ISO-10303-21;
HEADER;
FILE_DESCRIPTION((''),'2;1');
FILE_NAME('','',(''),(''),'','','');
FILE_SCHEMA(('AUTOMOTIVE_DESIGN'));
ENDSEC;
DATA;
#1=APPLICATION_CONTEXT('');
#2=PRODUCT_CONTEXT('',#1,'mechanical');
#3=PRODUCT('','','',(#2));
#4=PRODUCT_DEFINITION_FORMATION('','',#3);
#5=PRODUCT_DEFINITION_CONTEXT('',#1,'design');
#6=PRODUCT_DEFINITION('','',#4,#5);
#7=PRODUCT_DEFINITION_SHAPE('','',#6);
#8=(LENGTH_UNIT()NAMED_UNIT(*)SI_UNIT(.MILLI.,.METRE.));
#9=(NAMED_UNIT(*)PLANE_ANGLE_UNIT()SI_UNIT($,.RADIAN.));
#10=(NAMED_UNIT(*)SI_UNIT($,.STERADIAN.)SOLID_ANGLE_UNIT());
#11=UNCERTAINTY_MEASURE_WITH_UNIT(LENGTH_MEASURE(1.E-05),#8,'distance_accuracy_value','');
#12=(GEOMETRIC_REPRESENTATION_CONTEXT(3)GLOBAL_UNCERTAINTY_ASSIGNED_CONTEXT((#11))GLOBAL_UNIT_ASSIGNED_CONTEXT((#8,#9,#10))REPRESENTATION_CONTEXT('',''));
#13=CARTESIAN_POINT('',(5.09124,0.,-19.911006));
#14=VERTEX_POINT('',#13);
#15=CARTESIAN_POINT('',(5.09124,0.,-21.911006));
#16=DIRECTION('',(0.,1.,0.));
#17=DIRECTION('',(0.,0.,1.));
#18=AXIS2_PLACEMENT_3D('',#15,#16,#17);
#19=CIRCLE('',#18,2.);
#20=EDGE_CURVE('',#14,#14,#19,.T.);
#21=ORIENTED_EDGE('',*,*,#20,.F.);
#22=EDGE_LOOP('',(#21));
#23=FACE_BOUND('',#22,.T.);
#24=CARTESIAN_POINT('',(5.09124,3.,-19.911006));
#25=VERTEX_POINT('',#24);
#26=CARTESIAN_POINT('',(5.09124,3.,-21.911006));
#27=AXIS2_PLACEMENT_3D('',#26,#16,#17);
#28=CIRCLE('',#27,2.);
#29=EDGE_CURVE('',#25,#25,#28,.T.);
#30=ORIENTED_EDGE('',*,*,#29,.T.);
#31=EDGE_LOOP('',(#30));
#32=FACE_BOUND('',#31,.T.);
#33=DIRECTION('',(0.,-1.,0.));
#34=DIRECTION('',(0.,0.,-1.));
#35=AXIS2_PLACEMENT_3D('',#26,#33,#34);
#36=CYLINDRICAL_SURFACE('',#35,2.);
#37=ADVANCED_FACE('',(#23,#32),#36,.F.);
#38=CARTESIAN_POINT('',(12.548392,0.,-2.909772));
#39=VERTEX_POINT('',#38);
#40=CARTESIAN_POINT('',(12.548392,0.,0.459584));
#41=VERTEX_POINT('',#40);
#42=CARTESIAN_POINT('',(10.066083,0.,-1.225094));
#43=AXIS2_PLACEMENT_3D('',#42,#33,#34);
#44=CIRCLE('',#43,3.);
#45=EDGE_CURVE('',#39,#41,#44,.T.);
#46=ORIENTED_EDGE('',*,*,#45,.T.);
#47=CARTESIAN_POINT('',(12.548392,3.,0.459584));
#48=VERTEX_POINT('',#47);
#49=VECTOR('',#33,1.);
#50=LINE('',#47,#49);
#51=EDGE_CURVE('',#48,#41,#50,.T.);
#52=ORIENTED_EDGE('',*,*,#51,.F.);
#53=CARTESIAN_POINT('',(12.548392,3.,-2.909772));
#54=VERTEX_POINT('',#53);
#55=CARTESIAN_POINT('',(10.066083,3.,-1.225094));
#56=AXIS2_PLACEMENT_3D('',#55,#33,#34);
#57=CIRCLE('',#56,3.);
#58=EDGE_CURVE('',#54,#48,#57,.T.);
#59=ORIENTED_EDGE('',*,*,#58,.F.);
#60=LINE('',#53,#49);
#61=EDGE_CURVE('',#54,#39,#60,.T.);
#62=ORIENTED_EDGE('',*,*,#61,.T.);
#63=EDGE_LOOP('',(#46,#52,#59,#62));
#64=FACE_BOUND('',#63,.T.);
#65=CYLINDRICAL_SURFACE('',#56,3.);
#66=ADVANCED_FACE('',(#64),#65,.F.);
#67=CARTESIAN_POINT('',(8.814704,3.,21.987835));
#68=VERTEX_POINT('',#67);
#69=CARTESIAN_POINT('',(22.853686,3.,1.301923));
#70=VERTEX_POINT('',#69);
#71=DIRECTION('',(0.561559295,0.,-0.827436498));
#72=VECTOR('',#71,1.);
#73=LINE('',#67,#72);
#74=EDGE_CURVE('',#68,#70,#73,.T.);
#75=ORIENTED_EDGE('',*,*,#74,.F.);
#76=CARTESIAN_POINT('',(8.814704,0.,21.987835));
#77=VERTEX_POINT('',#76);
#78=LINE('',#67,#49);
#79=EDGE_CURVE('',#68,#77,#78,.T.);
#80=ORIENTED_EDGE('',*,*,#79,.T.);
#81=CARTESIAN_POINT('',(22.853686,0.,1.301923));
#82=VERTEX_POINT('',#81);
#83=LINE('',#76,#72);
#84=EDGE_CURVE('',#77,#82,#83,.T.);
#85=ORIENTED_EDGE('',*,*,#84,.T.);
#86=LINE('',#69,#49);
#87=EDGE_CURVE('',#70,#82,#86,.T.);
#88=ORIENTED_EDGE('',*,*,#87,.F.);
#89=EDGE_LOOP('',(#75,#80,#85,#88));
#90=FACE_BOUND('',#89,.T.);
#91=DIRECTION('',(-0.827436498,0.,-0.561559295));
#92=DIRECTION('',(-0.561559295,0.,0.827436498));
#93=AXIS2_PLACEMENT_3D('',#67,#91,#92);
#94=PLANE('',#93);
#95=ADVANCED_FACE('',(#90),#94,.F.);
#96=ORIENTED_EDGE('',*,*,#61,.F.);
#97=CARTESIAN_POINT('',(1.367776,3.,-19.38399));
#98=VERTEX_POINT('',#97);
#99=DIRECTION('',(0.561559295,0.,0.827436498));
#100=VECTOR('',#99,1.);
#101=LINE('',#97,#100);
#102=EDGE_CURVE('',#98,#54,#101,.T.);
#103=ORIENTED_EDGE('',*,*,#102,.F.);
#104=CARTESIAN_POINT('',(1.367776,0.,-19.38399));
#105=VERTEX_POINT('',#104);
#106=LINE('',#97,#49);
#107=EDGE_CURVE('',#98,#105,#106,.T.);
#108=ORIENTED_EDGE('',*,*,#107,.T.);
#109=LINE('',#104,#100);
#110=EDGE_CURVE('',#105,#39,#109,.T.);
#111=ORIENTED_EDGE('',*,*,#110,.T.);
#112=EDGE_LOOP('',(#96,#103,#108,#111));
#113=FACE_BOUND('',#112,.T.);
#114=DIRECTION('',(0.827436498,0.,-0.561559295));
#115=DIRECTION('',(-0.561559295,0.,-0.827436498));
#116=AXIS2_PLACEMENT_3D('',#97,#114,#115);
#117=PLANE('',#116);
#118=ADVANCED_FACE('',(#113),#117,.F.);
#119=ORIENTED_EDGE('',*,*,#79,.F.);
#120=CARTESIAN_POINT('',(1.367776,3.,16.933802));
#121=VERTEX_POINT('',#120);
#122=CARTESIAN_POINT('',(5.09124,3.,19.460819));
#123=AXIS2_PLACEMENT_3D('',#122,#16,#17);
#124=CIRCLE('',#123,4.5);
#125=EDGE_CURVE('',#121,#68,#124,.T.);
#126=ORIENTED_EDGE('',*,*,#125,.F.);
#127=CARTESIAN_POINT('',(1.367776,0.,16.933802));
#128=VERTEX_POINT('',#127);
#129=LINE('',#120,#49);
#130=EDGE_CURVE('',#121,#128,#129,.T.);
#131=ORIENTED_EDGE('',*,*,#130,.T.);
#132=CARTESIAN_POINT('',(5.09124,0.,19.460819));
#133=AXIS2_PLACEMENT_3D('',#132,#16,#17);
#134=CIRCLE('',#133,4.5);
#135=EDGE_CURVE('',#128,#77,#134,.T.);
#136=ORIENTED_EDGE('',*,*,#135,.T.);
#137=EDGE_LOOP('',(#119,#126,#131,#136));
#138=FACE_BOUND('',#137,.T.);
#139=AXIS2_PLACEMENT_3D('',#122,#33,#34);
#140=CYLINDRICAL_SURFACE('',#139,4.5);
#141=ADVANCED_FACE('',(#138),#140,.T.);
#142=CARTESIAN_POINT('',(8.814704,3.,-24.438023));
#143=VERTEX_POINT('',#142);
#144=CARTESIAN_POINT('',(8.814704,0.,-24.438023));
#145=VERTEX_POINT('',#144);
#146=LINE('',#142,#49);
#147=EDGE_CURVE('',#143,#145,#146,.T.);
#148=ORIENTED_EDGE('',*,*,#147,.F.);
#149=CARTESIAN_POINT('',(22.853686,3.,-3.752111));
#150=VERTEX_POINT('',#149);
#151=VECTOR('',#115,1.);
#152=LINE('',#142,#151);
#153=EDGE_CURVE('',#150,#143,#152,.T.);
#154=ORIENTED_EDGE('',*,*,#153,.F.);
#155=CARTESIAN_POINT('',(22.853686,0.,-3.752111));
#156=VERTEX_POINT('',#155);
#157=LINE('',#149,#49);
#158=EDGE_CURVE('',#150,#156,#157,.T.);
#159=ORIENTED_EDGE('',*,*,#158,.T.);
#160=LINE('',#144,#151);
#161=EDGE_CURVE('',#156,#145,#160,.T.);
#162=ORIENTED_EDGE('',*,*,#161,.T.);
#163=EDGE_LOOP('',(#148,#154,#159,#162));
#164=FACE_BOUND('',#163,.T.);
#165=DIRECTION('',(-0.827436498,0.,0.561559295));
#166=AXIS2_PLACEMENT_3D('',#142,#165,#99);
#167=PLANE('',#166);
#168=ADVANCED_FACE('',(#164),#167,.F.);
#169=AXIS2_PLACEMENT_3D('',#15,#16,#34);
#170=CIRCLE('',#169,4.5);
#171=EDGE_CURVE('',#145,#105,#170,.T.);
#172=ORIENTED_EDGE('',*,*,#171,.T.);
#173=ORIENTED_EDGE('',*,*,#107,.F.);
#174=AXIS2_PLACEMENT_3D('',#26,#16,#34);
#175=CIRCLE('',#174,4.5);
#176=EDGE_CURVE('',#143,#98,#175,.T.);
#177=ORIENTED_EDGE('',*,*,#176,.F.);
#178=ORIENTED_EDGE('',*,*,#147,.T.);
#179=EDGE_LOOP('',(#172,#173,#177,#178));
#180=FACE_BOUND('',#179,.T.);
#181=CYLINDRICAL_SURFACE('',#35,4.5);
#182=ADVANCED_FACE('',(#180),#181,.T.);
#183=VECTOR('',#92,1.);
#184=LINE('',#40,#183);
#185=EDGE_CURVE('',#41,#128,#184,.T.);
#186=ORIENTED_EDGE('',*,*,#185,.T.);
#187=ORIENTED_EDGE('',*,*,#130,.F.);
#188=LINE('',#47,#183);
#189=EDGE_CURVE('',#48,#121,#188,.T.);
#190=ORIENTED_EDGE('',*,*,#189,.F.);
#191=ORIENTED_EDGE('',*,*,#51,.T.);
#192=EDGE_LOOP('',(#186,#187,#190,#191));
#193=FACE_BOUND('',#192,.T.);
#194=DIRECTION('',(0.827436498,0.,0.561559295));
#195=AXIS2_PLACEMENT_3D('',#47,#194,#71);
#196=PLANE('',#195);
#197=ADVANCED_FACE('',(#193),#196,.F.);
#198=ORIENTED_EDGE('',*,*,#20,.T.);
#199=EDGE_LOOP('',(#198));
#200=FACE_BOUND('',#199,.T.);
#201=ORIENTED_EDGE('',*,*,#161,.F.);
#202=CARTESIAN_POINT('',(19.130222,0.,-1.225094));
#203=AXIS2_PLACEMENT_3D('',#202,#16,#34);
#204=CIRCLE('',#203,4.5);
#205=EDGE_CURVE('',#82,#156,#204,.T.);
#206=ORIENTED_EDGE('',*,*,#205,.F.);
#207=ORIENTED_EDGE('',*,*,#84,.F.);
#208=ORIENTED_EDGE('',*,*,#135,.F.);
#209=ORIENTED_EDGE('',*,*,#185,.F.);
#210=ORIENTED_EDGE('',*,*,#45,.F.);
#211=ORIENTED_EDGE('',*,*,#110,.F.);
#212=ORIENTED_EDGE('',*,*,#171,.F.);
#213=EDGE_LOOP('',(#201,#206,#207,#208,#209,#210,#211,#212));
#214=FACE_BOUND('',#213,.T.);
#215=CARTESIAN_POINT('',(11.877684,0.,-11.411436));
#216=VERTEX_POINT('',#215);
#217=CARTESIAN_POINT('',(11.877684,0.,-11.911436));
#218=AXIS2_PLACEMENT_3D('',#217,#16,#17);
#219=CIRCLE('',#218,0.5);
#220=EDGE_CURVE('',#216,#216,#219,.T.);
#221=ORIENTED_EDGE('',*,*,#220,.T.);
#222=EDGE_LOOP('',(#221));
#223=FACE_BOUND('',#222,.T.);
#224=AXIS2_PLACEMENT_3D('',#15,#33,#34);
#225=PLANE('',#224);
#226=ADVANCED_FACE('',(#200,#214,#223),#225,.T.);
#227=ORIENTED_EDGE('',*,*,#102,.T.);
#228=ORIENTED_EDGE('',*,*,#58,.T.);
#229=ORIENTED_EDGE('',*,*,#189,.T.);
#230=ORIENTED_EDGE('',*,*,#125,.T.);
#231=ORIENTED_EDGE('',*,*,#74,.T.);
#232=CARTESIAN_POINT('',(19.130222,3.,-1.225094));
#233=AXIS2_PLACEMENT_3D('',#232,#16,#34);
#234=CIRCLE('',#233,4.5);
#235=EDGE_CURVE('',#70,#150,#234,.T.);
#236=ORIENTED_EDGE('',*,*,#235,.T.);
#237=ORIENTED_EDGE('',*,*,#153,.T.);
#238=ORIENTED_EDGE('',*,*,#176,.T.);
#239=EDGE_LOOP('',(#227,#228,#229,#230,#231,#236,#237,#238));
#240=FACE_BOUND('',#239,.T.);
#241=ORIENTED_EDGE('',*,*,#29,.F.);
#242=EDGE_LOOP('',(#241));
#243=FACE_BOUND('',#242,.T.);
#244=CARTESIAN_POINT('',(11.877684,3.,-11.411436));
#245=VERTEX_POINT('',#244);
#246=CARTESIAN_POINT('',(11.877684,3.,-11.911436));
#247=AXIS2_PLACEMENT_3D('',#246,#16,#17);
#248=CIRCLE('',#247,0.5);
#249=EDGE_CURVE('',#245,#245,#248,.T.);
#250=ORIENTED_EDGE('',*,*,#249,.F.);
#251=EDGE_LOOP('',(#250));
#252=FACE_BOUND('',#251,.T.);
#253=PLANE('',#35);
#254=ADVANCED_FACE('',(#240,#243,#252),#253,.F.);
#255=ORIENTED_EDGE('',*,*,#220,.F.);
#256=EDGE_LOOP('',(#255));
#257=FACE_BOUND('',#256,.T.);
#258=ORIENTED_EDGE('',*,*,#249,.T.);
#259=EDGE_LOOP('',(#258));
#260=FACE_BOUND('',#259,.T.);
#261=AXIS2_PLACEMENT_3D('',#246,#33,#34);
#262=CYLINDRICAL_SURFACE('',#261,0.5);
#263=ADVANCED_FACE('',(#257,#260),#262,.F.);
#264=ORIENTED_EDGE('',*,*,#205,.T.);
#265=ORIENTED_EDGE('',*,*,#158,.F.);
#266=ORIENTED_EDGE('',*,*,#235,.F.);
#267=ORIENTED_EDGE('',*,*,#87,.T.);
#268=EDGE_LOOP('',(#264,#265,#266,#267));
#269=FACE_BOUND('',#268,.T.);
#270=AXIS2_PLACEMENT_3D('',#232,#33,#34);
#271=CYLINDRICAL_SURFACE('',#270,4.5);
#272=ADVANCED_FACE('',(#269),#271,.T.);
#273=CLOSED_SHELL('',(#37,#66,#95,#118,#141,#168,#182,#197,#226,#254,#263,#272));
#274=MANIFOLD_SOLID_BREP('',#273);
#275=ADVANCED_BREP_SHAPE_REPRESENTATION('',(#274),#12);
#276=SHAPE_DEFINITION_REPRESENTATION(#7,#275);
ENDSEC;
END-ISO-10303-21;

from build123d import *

# Parameters (mm, degrees)
SKETCH1_R           = 2
SKETCH1_R_2         = 0.5
BOSS_EXTRUDE1_DEPTH = 3


with BuildPart() as part:
    # Sketch1 → Boss-Extrude1 (new body)
    with BuildSketch(Plane(origin=(0, 0, 0), x_dir=(1, 0, 0), z_dir=(0, 1, 0))):
        with BuildLine():
            Line((8.814704054, 24.438023166), (22.853686429, 3.752110716))
            ThreePointArc((22.853686429, 3.752110716), (23.630222188, 1.225093889), (22.853686429, -1.301922939))
            Line((22.853686429, -1.301922939), (8.814704054, -21.987835389))
            ThreePointArc((8.814704054, -21.987835389), (2.564222985, -23.184282802), (1.367775572, -16.933801734))
            Line((1.367775572, -16.933801734), (12.548391994, -0.459583996))
            ThreePointArc((12.548391994, -0.459583996), (13.0660825, 1.225093889), (12.548391994, 2.909771774))
            Line((12.548391994, 2.909771774), (1.367775572, 19.383989511))
            ThreePointArc((1.367775572, 19.383989511), (2.564222985, 25.634470579), (8.814704054, 24.438023166))
        make_face()
        with Locations((5.091239813, 21.911006338)):
            Circle(SKETCH1_R, mode=Mode.SUBTRACT)
        with Locations((11.877683893, 11.91143626)):
            Circle(SKETCH1_R_2, mode=Mode.SUBTRACT)
    extrude(amount=BOSS_EXTRUDE1_DEPTH)


solid = part.part
